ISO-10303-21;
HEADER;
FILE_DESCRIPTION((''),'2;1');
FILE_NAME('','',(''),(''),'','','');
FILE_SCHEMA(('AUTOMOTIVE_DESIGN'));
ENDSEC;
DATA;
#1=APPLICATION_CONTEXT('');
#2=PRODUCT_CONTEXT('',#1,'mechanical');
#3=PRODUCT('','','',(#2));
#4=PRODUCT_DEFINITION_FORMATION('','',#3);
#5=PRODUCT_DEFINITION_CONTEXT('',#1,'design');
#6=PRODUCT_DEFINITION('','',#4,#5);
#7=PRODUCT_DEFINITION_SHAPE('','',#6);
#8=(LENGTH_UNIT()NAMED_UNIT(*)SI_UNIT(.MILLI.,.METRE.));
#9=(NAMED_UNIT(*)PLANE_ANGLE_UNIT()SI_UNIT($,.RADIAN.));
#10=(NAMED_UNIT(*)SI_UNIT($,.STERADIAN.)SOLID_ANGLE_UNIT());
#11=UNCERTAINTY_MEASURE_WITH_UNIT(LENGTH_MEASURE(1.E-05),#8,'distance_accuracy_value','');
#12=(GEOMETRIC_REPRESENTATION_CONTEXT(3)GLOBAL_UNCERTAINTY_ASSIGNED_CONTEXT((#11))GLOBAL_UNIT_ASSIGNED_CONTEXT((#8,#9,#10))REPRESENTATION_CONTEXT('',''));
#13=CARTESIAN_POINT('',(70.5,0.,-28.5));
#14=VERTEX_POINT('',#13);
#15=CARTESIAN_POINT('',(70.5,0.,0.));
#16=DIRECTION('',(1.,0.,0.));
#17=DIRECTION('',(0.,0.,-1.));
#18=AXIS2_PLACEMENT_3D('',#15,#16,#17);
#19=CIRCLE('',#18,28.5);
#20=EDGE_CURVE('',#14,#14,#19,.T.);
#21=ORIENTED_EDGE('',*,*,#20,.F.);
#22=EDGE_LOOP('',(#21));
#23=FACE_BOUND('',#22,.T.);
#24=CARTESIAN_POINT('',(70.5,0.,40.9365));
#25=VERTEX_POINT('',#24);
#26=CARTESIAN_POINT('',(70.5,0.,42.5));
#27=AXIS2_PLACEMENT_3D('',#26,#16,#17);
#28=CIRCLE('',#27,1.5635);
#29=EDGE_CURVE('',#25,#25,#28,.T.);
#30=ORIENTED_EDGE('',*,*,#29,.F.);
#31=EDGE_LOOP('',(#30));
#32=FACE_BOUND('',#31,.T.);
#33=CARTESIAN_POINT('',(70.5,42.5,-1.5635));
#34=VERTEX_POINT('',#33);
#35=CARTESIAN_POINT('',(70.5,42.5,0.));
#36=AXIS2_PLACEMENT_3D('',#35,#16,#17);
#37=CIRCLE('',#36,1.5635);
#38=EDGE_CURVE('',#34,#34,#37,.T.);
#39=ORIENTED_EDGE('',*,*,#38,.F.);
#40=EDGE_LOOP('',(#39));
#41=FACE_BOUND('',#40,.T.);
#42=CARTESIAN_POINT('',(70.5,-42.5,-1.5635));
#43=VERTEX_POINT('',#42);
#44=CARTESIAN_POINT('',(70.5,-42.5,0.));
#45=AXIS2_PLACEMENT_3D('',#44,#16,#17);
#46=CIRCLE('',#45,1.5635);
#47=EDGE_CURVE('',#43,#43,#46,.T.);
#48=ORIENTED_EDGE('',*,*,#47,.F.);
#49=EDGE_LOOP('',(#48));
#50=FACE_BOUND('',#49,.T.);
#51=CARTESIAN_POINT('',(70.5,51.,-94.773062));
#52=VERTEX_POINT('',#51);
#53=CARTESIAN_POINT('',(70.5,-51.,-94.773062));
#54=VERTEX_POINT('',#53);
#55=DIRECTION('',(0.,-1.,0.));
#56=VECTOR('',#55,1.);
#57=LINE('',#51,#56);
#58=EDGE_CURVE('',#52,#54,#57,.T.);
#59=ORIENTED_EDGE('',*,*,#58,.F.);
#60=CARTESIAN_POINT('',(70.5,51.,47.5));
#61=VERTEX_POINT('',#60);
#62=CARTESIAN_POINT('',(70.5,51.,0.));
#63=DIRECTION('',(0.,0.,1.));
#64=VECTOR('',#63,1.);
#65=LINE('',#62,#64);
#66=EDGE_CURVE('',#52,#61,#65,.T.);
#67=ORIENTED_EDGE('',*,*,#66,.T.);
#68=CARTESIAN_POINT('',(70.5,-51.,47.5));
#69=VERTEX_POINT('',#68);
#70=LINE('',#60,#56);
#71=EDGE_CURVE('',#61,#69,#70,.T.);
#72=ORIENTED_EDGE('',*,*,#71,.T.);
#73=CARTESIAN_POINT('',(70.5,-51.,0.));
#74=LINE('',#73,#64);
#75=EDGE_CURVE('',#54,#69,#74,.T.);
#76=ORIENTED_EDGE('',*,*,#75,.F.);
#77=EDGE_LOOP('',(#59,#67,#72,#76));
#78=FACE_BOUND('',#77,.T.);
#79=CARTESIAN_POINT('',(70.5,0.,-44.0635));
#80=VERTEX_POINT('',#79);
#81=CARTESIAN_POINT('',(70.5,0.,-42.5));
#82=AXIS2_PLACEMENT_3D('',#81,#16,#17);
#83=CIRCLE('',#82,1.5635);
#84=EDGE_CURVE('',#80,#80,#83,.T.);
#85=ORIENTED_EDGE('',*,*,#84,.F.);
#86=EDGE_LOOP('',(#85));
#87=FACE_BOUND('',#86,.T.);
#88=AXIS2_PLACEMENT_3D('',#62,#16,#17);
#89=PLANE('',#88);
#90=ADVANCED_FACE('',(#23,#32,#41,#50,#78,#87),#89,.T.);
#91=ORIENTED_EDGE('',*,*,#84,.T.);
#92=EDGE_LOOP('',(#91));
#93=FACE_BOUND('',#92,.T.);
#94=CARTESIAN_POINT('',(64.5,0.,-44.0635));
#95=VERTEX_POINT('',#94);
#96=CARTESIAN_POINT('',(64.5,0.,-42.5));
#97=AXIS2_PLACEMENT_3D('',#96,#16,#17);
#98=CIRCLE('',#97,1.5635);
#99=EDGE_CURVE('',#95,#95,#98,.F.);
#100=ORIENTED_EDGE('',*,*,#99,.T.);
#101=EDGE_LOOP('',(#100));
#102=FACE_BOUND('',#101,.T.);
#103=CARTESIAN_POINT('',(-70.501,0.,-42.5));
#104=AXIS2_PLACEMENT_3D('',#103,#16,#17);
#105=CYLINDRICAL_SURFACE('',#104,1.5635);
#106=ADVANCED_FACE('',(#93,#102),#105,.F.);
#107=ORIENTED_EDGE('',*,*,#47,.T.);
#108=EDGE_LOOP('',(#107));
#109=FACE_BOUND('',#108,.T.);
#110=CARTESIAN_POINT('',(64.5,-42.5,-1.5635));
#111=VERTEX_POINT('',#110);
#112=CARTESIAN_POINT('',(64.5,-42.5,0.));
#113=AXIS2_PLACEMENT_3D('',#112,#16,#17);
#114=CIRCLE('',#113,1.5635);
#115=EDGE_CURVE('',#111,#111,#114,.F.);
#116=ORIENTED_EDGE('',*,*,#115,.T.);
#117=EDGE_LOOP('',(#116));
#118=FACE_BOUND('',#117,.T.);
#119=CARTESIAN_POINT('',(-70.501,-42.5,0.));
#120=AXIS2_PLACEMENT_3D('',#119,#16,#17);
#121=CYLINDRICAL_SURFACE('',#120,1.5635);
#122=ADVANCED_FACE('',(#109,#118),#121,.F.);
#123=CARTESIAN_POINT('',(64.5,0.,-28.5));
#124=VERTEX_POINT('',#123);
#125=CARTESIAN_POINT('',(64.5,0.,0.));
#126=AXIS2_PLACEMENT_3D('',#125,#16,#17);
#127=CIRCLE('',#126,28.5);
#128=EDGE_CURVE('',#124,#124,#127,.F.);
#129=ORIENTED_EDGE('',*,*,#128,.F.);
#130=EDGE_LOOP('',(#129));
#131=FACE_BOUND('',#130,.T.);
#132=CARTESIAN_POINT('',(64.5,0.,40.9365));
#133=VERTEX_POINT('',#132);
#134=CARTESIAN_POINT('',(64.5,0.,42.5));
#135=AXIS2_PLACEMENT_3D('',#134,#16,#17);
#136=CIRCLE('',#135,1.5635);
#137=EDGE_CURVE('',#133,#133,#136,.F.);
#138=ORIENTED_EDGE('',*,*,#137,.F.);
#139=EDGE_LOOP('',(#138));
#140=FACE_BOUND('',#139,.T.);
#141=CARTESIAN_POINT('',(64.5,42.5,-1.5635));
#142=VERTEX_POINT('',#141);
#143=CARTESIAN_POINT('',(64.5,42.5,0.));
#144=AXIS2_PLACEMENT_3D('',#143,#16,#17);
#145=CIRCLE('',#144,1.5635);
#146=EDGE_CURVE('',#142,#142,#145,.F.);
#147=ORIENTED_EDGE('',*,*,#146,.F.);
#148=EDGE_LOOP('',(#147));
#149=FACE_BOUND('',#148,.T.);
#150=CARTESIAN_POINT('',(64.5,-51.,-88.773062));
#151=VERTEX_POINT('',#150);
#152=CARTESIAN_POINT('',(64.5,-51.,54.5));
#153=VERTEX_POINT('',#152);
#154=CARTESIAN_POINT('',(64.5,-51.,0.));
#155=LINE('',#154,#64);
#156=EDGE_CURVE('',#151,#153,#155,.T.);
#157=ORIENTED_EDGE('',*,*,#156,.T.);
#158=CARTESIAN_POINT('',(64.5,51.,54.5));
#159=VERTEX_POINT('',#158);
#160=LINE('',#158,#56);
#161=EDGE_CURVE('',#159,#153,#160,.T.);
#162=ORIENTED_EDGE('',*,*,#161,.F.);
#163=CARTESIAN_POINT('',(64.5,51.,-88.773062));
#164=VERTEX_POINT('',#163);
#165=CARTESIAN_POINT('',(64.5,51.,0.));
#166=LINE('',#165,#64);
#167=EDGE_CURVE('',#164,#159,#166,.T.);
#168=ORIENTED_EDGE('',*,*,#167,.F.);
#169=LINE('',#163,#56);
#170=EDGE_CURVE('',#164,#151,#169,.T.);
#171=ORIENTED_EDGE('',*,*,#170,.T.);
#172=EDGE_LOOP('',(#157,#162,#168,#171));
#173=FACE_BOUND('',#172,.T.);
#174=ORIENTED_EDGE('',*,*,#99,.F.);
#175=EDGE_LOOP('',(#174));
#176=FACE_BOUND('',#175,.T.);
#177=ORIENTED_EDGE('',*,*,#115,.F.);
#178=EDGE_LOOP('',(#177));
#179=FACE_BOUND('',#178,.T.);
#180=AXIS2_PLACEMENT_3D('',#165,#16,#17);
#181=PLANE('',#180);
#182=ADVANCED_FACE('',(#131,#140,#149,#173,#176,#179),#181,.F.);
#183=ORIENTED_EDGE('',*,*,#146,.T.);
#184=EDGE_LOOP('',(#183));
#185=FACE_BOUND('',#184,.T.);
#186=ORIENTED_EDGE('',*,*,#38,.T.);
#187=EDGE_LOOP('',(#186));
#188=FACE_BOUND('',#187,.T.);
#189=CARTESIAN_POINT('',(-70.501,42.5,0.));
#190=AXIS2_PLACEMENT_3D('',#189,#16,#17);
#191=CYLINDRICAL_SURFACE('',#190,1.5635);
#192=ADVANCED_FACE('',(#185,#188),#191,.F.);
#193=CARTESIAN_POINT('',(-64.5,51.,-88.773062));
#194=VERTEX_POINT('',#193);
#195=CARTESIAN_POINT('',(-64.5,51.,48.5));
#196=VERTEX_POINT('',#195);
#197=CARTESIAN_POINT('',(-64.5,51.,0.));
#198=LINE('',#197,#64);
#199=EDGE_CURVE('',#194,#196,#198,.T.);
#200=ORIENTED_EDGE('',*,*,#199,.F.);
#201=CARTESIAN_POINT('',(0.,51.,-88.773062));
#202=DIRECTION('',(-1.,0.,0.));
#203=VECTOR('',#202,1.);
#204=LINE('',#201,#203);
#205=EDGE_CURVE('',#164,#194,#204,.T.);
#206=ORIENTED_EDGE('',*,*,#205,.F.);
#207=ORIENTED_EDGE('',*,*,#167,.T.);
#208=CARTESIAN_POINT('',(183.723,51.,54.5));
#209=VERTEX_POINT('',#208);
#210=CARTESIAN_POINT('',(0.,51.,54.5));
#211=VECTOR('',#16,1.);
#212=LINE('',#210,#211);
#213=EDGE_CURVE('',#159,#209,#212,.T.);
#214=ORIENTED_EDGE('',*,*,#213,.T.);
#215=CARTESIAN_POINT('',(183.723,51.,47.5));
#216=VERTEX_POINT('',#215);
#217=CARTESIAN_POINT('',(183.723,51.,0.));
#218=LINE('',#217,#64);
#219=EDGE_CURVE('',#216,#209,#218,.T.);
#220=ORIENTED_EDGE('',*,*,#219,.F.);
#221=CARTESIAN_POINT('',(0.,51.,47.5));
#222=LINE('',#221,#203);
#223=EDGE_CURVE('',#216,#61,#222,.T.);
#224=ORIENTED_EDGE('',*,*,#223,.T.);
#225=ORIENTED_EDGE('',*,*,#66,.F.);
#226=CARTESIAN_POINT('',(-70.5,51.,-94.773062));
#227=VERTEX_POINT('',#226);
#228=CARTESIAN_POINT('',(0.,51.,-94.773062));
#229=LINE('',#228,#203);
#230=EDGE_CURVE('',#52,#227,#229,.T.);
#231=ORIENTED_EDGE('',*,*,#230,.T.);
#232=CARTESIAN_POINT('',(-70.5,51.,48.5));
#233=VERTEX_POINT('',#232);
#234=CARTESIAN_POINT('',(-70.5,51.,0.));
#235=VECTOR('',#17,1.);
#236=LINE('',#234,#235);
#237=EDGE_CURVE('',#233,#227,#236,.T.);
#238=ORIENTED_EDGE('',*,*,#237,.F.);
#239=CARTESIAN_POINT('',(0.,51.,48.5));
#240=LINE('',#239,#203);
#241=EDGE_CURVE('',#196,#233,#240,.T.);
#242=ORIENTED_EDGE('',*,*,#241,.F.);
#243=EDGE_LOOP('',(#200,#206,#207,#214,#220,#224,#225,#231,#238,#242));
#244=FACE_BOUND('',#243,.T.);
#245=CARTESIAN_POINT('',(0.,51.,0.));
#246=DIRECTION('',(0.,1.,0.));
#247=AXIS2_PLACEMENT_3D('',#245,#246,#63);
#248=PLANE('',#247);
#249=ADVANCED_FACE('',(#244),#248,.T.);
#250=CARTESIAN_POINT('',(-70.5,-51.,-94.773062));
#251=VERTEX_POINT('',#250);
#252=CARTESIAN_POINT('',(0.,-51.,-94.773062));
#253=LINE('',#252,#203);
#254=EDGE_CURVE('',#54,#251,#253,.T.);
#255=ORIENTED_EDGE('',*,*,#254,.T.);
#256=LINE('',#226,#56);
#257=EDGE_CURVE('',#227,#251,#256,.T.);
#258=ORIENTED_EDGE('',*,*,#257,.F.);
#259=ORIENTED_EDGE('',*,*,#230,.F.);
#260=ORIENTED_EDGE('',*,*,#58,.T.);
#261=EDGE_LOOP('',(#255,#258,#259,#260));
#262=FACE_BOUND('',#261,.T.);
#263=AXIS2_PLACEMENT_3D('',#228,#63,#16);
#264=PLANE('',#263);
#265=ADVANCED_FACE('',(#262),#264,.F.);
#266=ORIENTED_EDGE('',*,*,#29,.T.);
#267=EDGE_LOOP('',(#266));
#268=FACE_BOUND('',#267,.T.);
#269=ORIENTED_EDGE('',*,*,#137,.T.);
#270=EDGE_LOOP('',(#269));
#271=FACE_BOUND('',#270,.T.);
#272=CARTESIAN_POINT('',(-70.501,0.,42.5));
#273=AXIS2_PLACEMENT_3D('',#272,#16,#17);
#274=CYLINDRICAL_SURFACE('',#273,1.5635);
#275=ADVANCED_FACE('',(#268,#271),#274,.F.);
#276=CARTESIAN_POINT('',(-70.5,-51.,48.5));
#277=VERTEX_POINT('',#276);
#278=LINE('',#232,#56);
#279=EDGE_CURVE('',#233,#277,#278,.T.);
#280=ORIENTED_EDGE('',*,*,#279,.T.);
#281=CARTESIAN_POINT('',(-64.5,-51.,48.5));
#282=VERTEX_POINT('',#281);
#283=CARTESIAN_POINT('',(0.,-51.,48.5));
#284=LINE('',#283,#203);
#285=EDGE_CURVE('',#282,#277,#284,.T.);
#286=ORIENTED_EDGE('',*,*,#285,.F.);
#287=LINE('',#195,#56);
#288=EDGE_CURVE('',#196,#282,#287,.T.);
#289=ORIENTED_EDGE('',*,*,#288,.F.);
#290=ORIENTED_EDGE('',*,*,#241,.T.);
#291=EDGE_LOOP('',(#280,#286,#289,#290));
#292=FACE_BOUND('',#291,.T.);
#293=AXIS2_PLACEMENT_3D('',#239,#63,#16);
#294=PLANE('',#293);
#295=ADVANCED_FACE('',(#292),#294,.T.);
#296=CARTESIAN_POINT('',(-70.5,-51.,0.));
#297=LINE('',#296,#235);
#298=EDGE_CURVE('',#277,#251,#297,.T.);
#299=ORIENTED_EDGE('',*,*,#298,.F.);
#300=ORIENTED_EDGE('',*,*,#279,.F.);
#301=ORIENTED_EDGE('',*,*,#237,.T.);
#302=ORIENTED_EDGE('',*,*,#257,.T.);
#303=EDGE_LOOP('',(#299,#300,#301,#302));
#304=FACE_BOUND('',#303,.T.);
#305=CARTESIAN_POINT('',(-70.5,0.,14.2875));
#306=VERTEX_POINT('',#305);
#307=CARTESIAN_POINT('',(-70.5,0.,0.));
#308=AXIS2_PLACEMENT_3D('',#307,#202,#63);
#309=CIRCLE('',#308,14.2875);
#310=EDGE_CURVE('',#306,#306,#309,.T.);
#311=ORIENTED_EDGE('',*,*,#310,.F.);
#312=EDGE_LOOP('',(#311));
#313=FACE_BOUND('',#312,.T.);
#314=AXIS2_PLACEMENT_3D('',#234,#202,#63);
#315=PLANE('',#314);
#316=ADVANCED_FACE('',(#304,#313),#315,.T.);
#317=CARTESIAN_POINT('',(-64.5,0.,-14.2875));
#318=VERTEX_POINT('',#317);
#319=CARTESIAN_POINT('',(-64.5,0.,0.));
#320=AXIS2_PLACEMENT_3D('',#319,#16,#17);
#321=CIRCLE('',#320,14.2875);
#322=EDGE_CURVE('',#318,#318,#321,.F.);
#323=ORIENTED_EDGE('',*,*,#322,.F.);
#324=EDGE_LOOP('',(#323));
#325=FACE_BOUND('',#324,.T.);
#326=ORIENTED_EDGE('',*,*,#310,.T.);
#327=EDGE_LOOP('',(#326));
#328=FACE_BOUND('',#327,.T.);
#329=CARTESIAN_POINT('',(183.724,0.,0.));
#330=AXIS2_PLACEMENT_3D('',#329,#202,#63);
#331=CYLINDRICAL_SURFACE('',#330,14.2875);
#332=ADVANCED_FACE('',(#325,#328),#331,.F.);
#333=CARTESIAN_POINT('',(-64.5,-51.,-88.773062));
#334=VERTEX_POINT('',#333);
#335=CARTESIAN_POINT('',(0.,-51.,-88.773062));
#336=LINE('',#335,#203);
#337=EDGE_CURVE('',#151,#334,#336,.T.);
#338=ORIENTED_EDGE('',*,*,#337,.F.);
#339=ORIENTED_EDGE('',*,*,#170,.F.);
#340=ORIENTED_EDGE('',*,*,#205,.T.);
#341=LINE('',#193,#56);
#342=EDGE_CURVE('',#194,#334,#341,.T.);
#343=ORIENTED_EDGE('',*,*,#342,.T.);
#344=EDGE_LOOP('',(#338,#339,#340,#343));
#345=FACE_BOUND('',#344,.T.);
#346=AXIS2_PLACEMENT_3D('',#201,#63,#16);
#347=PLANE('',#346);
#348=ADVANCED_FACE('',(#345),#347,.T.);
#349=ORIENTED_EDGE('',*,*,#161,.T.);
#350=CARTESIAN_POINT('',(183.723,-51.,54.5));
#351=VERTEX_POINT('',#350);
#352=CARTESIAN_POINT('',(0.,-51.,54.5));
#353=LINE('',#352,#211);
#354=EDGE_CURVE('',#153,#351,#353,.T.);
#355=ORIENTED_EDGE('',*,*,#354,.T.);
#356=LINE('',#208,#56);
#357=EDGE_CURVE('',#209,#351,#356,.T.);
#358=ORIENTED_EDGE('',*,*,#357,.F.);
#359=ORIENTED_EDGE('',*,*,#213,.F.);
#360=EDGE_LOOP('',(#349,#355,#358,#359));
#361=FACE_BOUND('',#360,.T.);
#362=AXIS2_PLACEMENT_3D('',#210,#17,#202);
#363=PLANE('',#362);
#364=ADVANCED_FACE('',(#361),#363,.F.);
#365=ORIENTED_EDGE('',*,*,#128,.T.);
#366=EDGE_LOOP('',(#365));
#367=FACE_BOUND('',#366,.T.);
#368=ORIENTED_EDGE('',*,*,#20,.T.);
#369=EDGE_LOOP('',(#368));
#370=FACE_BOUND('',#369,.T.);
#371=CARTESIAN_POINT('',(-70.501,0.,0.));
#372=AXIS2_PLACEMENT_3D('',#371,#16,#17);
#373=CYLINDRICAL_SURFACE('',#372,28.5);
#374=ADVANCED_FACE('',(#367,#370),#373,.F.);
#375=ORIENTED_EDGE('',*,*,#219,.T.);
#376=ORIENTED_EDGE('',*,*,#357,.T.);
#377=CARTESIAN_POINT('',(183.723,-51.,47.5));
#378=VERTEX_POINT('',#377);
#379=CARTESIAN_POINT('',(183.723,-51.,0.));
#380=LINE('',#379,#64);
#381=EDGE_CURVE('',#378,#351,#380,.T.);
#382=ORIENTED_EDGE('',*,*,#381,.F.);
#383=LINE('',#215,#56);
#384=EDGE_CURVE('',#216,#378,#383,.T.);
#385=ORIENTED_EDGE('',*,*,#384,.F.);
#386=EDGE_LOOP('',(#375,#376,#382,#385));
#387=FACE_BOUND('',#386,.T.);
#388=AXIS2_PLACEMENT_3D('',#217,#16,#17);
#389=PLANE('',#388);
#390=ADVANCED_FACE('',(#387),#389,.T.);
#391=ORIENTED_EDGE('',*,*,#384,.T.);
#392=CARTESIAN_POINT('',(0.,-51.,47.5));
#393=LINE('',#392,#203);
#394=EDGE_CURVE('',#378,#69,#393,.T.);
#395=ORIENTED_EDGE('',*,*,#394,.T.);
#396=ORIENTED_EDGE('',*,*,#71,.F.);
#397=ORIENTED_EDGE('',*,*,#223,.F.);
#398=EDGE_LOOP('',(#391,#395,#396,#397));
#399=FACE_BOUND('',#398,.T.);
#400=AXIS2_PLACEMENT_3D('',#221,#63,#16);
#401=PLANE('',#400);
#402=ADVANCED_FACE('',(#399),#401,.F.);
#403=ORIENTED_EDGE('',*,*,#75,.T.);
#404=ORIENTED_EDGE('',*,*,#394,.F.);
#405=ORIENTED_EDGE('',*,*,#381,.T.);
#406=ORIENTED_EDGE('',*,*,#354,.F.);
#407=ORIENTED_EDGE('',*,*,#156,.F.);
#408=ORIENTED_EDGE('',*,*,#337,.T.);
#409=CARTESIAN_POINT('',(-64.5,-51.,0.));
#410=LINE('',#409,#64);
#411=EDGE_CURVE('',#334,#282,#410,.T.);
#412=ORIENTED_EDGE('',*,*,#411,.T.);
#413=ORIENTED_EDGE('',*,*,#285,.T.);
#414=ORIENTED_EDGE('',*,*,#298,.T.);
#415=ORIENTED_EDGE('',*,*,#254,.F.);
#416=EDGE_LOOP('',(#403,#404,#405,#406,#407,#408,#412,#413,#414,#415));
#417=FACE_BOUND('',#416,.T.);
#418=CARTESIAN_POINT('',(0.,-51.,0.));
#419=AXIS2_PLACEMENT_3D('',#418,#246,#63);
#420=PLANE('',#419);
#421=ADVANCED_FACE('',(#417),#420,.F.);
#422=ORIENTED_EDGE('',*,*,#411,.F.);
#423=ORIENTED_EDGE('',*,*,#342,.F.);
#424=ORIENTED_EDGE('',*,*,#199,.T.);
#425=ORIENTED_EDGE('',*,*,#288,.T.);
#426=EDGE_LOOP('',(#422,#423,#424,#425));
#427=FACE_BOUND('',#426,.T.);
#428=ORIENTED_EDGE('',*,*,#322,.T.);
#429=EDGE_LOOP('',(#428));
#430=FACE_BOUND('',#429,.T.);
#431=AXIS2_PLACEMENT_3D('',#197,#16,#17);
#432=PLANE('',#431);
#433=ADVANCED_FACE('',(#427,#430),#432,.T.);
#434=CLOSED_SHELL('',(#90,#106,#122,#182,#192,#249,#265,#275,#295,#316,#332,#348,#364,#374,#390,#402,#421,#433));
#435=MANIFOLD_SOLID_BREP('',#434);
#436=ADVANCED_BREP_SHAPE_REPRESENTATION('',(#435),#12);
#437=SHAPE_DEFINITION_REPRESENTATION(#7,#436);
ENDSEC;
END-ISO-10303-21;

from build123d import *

# Parameters (mm, degrees)
BOSS_EXTRUDE3_DEPTH      = 51
BOSS_EXTRUDE3_DEPTH_BACK = 51
CUT_EXTRUDE3_REACH       = 179.381
SKETCH7_R                = 1.5635
SKETCH7_R_2              = 28.5
CUT_EXTRUDE4_REACH       = 278.066
SKETCH8_R                = 14.2875


with BuildPart() as part:
    # Sketch6 → Boss-Extrude3 (new, two sides: drawn at the far end of the back side and taken through both)
    with BuildSketch(Plane(origin=(0, 0, 0), x_dir=(1, 0, 0), z_dir=(0, 1, 0)).offset(-BOSS_EXTRUDE3_DEPTH_BACK)):
        Polygon((183.723, -47.5), (183.723, -54.5), (64.5, -54.5), (64.5, 88.773061806), (-64.5, 88.773061806), (-64.5, -48.5), (-70.5, -48.5), (-70.5, 94.773061806), (70.5, 94.773061806), (70.5, -47.5), align=None)
    extrude(amount=BOSS_EXTRUDE3_DEPTH + BOSS_EXTRUDE3_DEPTH_BACK)

    # Sketch7 → Cut-Extrude3 (cut, up to next)
    with BuildSketch(Plane(origin=(70.5, 0, 0), x_dir=(0, 0, -1), z_dir=(1, 0, 0)), mode=Mode.PRIVATE) as cut_extrude3_sk1:
        with Locations((0, 42.5)):
            Circle(SKETCH7_R)
    cut_extrude3_tool1 = extrude(cut_extrude3_sk1.sketch, amount=-CUT_EXTRUDE3_REACH, mode=Mode.PRIVATE) & part.part
    # Sketch7 → Cut-Extrude3 (cut, up to next)
    with BuildSketch(Plane(origin=(70.5, 0, 0), x_dir=(0, 0, -1), z_dir=(1, 0, 0)), mode=Mode.PRIVATE) as cut_extrude3_sk2:
        with Locations((42.5, 0)):
            Circle(SKETCH7_R)
    cut_extrude3_tool2 = extrude(cut_extrude3_sk2.sketch, amount=-CUT_EXTRUDE3_REACH, mode=Mode.PRIVATE) & part.part
    # Sketch7 → Cut-Extrude3 (cut, up to next)
    with BuildSketch(Plane(origin=(70.5, 0, 0), x_dir=(0, 0, -1), z_dir=(1, 0, 0)), mode=Mode.PRIVATE) as cut_extrude3_sk3:
        with Locations((0, -42.5)):
            Circle(SKETCH7_R)
    cut_extrude3_tool3 = extrude(cut_extrude3_sk3.sketch, amount=-CUT_EXTRUDE3_REACH, mode=Mode.PRIVATE) & part.part
    # Sketch7 → Cut-Extrude3 (cut, up to next)
    with BuildSketch(Plane(origin=(70.5, 0, 0), x_dir=(0, 0, -1), z_dir=(1, 0, 0)), mode=Mode.PRIVATE) as cut_extrude3_sk4:
        with Locations((-42.5, 0)):
            Circle(SKETCH7_R)
    cut_extrude3_tool4 = extrude(cut_extrude3_sk4.sketch, amount=-CUT_EXTRUDE3_REACH, mode=Mode.PRIVATE) & part.part
    # Sketch7 → Cut-Extrude3 (cut, up to next)
    with BuildSketch(Plane(origin=(70.5, 0, 0), x_dir=(0, 0, -1), z_dir=(1, 0, 0)), mode=Mode.PRIVATE) as cut_extrude3_sk5:
        Circle(SKETCH7_R_2)
    cut_extrude3_tool5 = extrude(cut_extrude3_sk5.sketch, amount=-CUT_EXTRUDE3_REACH, mode=Mode.PRIVATE) & part.part
    add(cut_extrude3_tool1.solids().sort_by_distance((70.5, 42.5, 0))[0], mode=Mode.SUBTRACT)
    add(cut_extrude3_tool2.solids().sort_by_distance((70.5, 0, -42.5))[0], mode=Mode.SUBTRACT)
    add(cut_extrude3_tool3.solids().sort_by_distance((70.5, -42.5, 0))[0], mode=Mode.SUBTRACT)
    add(cut_extrude3_tool4.solids().sort_by_distance((70.5, 0, 42.5))[0], mode=Mode.SUBTRACT)
    add(cut_extrude3_tool5.solids().sort_by_distance((70.5, 0, 0))[0], mode=Mode.SUBTRACT)

    # Sketch8 → Cut-Extrude4 (cut, up to next)
    with BuildSketch(Plane.ZY.offset(70.5), mode=Mode.PRIVATE) as cut_extrude4_sk1:
        Circle(SKETCH8_R)
    cut_extrude4_tool1 = extrude(cut_extrude4_sk1.sketch, amount=-CUT_EXTRUDE4_REACH, mode=Mode.PRIVATE) & part.part
    add(cut_extrude4_tool1.solids().sort_by_distance((-70.5, 0, 0))[0], mode=Mode.SUBTRACT)


solid = part.part
